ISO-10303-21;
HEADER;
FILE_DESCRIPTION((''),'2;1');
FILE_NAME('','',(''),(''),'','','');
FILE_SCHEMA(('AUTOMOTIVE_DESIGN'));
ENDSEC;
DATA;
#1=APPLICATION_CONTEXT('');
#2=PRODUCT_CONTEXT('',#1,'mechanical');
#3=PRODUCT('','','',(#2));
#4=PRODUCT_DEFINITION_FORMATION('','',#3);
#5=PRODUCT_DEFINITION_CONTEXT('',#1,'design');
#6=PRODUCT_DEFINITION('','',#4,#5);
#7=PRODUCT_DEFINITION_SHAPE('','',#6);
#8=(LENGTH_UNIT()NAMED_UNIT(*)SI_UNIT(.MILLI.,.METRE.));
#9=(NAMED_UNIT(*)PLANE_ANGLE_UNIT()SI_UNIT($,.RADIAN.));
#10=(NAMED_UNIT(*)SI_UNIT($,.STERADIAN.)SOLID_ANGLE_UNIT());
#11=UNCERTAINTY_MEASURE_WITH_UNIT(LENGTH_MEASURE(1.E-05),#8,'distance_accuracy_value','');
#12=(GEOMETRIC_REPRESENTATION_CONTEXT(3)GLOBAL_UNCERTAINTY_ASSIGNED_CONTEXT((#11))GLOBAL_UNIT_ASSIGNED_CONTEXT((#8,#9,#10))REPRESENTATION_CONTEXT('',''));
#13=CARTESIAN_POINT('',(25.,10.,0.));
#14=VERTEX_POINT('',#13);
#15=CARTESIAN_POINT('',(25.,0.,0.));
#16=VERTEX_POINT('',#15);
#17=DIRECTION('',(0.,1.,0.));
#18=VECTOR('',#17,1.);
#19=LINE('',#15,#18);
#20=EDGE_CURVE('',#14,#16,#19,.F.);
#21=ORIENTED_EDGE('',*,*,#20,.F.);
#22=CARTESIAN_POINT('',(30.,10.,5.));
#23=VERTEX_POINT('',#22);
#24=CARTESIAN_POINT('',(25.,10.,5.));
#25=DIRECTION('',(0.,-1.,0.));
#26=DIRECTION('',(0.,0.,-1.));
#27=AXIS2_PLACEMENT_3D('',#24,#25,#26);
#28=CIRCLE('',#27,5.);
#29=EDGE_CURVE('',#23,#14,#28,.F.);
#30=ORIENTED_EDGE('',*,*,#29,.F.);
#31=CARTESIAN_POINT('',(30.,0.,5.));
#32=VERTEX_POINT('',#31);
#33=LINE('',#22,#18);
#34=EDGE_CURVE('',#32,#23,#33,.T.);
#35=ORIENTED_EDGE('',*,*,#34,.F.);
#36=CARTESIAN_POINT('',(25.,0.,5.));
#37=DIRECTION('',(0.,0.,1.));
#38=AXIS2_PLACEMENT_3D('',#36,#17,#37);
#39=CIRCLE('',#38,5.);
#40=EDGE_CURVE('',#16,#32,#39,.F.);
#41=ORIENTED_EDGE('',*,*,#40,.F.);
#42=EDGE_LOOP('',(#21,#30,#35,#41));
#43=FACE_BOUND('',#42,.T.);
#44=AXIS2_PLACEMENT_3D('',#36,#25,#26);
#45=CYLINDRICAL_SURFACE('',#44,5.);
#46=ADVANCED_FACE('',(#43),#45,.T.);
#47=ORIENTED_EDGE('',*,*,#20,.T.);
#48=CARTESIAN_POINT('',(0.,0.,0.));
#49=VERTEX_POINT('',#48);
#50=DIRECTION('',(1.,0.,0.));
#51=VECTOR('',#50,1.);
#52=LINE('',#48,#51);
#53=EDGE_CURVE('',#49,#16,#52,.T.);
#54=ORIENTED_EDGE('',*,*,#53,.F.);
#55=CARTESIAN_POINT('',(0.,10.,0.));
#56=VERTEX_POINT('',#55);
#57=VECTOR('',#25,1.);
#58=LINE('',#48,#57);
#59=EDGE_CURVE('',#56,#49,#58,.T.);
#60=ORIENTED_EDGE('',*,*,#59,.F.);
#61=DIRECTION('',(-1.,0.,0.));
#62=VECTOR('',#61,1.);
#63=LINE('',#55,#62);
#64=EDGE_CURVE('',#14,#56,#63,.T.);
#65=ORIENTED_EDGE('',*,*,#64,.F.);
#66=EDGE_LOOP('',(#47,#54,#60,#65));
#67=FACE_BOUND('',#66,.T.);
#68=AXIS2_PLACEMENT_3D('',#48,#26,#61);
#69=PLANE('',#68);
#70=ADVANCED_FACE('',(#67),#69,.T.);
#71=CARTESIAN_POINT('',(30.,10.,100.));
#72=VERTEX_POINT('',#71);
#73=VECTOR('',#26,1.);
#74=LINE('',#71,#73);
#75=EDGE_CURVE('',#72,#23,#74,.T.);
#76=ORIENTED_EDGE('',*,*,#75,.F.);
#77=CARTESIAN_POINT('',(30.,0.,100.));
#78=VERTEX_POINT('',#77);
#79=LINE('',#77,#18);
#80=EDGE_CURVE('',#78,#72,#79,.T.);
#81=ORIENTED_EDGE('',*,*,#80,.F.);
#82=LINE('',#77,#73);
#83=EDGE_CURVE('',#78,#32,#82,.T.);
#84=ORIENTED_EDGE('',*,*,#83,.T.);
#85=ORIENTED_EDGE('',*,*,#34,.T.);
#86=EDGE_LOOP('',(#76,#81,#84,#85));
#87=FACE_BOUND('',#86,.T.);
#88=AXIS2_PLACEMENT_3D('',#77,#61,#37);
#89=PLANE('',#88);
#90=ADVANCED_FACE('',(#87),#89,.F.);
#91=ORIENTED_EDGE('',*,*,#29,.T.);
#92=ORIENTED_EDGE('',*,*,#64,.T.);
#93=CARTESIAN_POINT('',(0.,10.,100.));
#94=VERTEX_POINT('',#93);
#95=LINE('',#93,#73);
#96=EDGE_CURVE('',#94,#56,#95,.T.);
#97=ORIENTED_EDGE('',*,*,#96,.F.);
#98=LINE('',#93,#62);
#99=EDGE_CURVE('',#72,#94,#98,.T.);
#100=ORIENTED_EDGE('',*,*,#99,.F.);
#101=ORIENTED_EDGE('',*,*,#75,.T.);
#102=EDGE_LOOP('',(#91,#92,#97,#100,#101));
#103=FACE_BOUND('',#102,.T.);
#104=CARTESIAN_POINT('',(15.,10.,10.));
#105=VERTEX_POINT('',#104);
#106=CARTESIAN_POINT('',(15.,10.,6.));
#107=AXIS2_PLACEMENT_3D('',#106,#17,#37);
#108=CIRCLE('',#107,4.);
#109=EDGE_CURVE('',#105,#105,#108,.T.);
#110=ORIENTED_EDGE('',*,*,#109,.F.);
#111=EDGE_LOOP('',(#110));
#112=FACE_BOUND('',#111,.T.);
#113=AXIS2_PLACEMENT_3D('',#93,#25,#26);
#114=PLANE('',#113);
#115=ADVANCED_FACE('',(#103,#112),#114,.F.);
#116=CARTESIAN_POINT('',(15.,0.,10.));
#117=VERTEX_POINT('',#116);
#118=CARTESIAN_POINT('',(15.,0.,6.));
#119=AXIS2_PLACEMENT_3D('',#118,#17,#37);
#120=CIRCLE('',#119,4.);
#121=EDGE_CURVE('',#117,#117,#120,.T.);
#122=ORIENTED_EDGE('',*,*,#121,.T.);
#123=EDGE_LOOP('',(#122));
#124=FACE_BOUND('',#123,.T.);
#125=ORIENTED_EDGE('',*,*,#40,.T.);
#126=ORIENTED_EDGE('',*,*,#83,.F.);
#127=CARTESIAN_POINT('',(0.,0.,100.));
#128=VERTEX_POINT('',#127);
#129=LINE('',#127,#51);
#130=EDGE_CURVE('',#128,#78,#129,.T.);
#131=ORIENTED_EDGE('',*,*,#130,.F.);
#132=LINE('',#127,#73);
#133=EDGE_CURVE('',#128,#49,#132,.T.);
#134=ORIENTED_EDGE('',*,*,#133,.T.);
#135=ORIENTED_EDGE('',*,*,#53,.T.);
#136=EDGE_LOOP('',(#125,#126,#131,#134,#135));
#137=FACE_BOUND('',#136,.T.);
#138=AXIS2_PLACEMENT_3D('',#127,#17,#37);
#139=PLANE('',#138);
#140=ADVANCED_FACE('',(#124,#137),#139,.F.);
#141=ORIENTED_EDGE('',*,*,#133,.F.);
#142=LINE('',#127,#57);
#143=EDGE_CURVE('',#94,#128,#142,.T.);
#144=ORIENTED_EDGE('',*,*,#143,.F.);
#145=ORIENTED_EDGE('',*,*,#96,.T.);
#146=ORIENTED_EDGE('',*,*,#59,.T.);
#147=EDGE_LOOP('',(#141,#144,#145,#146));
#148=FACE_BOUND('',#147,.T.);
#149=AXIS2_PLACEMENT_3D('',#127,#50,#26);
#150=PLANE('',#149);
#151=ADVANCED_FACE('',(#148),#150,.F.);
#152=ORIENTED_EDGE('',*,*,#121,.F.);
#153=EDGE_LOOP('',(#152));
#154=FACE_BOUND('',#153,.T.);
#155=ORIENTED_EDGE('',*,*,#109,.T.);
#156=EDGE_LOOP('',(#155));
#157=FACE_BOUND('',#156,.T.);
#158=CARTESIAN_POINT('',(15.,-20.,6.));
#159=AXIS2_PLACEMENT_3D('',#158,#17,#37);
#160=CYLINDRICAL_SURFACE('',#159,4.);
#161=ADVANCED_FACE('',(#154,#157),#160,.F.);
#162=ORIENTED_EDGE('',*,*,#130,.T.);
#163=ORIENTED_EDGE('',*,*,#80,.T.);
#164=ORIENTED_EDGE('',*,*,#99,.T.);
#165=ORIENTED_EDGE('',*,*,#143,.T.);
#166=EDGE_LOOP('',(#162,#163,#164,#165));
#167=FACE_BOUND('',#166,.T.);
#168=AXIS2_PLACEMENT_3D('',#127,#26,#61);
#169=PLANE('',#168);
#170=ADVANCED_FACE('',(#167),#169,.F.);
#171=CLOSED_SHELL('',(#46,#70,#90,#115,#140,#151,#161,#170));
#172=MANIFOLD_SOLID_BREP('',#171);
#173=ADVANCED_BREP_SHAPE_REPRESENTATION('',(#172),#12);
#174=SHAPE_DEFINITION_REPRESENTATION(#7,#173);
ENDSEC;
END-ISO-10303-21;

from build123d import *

# Parameters (mm, degrees)
SKETCH2_W           = 30
SKETCH2_H           = 10
BOSS_EXTRUDE1_DEPTH = 100
SKETCH3_R           = 4
CUT_EXTRUDE1_DEPTH  = 30
FILLET1_R           = 5


with BuildPart() as part:
    # Sketch2 → Boss-Extrude1 (new body)
    with BuildSketch(Plane.XY):
        with Locations((15, 5)):
            Rectangle(SKETCH2_W, SKETCH2_H)
    extrude(amount=BOSS_EXTRUDE1_DEPTH)

    # Sketch3 → Cut-Extrude1 (cut)
    with BuildSketch(Plane(origin=(0, 10, 0), x_dir=(1, 0, 0), z_dir=(0, 1, 0))):
        with Locations(Location((15, -6, 0), (0, 0, 270))):
            Circle(SKETCH3_R)
    extrude(amount=-CUT_EXTRUDE1_DEPTH, mode=Mode.SUBTRACT)

    # Fillet1
    fillet1_edges = [part.edges().sort_by_distance(p)[0] for p in [
        (30, 5, 0),
    ]]
    fillet(fillet1_edges, radius=FILLET1_R)


solid = part.part
